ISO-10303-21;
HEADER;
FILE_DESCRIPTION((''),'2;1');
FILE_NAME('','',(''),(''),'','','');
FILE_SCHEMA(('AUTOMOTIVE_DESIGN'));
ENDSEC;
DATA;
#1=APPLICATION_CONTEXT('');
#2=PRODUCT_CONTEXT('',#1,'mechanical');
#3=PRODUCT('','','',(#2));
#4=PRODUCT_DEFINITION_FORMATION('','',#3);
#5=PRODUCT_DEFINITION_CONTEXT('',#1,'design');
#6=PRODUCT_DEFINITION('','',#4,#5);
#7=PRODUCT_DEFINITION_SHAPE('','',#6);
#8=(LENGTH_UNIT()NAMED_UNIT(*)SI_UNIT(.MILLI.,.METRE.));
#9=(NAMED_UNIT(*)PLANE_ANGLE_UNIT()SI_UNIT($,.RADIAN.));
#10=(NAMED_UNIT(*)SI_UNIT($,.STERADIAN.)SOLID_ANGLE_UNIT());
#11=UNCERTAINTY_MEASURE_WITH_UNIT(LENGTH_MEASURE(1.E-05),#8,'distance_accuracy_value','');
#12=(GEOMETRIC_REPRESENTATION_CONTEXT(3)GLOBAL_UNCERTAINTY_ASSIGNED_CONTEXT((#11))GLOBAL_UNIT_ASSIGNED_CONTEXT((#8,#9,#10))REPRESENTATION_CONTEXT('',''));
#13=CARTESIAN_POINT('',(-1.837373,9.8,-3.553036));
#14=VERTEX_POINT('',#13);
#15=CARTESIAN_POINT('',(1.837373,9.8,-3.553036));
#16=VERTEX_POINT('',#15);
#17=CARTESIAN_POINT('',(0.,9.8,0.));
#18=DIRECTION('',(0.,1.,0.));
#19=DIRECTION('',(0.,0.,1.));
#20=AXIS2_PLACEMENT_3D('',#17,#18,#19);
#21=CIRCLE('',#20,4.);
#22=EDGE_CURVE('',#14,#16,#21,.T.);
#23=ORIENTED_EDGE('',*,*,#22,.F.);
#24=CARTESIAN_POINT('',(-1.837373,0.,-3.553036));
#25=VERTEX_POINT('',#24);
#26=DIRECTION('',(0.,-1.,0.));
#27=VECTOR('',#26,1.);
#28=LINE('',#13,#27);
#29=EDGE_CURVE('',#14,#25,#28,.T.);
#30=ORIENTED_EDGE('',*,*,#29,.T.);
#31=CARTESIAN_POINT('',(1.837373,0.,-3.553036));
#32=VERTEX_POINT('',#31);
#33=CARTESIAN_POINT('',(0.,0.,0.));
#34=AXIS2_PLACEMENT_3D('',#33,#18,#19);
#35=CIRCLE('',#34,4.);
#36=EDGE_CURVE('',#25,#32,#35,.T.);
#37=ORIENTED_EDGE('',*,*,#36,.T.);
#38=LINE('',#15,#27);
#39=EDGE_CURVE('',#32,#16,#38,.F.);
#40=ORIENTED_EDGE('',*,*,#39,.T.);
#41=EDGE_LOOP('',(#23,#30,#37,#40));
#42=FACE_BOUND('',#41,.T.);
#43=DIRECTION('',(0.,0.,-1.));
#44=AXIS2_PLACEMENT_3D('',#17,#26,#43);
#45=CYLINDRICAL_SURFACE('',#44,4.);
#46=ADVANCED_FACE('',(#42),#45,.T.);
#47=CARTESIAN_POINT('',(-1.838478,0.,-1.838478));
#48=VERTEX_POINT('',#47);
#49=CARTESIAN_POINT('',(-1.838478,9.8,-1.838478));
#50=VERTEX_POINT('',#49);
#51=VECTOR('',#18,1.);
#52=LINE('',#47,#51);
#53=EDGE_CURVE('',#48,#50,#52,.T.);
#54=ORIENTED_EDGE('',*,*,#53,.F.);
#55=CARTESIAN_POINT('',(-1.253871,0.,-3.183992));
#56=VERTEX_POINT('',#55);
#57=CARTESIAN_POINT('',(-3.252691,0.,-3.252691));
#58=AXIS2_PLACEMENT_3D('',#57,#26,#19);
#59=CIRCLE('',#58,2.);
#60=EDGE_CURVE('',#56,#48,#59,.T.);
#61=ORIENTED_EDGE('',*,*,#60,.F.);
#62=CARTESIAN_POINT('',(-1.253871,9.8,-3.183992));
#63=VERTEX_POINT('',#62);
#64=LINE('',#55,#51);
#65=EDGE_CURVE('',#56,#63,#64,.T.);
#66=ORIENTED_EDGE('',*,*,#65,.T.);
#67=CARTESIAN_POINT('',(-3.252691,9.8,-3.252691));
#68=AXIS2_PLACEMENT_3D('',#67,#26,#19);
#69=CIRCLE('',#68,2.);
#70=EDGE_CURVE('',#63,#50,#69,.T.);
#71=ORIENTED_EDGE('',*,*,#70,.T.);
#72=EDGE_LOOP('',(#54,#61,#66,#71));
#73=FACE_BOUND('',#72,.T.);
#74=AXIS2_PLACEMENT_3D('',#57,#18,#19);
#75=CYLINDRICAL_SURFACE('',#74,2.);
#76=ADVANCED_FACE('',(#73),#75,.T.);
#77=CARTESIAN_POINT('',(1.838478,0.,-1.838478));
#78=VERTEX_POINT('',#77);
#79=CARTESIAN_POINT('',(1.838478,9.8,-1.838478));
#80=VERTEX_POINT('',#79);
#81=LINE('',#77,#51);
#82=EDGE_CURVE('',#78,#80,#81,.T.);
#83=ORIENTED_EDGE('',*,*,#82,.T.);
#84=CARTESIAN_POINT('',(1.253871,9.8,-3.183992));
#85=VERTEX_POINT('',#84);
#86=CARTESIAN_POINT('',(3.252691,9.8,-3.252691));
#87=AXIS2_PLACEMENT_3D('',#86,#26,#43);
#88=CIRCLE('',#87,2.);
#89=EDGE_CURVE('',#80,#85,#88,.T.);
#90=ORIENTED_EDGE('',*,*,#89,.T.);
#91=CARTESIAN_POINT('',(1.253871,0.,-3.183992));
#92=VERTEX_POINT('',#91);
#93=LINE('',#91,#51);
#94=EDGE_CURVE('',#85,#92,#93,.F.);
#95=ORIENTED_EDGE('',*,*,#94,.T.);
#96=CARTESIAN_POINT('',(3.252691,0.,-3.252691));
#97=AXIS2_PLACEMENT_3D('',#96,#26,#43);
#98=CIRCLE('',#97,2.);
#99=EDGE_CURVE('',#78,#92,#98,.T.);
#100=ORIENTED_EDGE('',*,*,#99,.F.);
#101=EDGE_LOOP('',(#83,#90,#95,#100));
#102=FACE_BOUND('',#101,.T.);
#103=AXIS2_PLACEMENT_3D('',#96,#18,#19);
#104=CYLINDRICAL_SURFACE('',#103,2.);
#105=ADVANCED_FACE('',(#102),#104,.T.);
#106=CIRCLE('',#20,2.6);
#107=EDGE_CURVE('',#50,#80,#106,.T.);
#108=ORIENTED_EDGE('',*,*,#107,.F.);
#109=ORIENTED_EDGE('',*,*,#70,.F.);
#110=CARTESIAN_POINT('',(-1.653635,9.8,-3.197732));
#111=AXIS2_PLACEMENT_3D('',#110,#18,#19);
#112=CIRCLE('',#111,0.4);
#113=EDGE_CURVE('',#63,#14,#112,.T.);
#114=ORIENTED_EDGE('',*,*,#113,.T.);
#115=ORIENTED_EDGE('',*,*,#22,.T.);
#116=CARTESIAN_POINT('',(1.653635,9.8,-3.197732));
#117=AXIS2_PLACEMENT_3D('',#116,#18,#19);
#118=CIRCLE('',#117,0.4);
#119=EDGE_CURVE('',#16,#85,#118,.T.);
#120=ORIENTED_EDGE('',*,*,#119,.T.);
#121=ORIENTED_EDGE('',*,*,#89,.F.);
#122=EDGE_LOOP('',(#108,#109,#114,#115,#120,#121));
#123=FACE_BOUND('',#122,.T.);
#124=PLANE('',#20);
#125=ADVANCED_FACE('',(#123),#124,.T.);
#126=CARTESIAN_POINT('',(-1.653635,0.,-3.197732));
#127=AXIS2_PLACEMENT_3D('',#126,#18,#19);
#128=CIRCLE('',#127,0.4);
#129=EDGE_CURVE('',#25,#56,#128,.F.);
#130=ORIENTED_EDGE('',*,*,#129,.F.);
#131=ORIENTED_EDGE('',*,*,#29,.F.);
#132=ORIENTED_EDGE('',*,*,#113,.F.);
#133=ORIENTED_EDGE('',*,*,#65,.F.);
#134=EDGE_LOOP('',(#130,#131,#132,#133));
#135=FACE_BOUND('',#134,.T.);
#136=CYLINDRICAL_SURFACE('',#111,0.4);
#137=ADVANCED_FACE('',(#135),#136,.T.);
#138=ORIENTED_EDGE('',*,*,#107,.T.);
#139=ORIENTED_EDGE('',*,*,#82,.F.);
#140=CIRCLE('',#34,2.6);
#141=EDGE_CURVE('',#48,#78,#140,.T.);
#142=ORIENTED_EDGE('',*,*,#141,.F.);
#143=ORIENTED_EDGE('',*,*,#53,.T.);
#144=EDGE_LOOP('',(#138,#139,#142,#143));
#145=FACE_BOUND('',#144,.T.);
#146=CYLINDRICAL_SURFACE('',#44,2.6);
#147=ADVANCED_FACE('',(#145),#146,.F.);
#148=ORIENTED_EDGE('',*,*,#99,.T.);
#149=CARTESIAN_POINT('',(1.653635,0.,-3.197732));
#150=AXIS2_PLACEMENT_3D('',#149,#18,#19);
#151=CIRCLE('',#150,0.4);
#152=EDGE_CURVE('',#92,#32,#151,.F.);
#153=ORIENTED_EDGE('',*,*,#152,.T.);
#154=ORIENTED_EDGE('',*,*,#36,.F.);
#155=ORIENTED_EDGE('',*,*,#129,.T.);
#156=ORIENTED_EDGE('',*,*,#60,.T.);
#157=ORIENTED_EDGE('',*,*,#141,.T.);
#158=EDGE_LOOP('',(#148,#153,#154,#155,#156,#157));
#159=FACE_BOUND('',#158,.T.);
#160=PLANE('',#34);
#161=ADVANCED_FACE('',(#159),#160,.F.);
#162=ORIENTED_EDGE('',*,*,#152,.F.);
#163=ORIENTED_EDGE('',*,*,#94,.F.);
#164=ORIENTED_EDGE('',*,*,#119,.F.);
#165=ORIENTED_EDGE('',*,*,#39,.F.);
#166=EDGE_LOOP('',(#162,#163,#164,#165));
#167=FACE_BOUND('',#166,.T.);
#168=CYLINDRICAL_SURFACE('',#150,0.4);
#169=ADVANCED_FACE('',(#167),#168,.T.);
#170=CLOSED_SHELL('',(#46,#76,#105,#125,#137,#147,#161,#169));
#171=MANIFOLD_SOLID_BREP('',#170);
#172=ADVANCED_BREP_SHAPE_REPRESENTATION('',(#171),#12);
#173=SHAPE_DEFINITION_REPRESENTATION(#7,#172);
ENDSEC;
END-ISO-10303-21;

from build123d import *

# Parameters (mm, degrees)
SKETCH1_R           = 4
SKETCH1_R_2         = 2.6
BOSS_EXTRUDE1_DEPTH = 9.8
CUT_EXTRUDE1_DEPTH  = 12.315476128
FILLET1_R           = 0.4


with BuildPart() as part:
    # Sketch1 → Boss-Extrude1 (new body)
    with BuildSketch(Plane(origin=(0, 0, 0), x_dir=(1, 0, 0), z_dir=(0, 1, 0))):
        with Locations(Location((0, 0, 0), (0, 0, 270))):
            Circle(SKETCH1_R)
        with Locations(Location((0, 0, 0), (0, 0, 270))):
            Circle(SKETCH1_R_2, mode=Mode.SUBTRACT)
    extrude(amount=BOSS_EXTRUDE1_DEPTH)

    # Sketch2 → Cut-Extrude1 (cut, through all)
    with BuildSketch(Plane(origin=(0, 9.8, 0), x_dir=(1, 0, 0), z_dir=(0, 1, 0))):
        with BuildLine():
            ThreePointArc((-1.838477631, 1.838477631), (-1.320191838, 2.737476443), (-1.322144063, 3.775173516))
            ThreePointArc((-1.322144063, 3.775173516), (0, 4), (1.322144063, 3.775173516))
            ThreePointArc((1.322144063, 3.775173516), (1.320191838, 2.737476443), (1.838477631, 1.838477631))
            ThreePointArc((1.838477631, 1.838477631), (0, 2.6), (-1.838477631, 1.838477631))
        make_face()
    extrude(amount=-CUT_EXTRUDE1_DEPTH, mode=Mode.SUBTRACT)

    # Fillet1
    fillet1_edges = [part.edges().sort_by_distance(p)[0] for p in [
        (-1.322144063, 4.9, -3.775173516),
        (1.322144063, 4.9, -3.775173516),
    ]]
    fillet(fillet1_edges, radius=FILLET1_R)


solid = part.part
